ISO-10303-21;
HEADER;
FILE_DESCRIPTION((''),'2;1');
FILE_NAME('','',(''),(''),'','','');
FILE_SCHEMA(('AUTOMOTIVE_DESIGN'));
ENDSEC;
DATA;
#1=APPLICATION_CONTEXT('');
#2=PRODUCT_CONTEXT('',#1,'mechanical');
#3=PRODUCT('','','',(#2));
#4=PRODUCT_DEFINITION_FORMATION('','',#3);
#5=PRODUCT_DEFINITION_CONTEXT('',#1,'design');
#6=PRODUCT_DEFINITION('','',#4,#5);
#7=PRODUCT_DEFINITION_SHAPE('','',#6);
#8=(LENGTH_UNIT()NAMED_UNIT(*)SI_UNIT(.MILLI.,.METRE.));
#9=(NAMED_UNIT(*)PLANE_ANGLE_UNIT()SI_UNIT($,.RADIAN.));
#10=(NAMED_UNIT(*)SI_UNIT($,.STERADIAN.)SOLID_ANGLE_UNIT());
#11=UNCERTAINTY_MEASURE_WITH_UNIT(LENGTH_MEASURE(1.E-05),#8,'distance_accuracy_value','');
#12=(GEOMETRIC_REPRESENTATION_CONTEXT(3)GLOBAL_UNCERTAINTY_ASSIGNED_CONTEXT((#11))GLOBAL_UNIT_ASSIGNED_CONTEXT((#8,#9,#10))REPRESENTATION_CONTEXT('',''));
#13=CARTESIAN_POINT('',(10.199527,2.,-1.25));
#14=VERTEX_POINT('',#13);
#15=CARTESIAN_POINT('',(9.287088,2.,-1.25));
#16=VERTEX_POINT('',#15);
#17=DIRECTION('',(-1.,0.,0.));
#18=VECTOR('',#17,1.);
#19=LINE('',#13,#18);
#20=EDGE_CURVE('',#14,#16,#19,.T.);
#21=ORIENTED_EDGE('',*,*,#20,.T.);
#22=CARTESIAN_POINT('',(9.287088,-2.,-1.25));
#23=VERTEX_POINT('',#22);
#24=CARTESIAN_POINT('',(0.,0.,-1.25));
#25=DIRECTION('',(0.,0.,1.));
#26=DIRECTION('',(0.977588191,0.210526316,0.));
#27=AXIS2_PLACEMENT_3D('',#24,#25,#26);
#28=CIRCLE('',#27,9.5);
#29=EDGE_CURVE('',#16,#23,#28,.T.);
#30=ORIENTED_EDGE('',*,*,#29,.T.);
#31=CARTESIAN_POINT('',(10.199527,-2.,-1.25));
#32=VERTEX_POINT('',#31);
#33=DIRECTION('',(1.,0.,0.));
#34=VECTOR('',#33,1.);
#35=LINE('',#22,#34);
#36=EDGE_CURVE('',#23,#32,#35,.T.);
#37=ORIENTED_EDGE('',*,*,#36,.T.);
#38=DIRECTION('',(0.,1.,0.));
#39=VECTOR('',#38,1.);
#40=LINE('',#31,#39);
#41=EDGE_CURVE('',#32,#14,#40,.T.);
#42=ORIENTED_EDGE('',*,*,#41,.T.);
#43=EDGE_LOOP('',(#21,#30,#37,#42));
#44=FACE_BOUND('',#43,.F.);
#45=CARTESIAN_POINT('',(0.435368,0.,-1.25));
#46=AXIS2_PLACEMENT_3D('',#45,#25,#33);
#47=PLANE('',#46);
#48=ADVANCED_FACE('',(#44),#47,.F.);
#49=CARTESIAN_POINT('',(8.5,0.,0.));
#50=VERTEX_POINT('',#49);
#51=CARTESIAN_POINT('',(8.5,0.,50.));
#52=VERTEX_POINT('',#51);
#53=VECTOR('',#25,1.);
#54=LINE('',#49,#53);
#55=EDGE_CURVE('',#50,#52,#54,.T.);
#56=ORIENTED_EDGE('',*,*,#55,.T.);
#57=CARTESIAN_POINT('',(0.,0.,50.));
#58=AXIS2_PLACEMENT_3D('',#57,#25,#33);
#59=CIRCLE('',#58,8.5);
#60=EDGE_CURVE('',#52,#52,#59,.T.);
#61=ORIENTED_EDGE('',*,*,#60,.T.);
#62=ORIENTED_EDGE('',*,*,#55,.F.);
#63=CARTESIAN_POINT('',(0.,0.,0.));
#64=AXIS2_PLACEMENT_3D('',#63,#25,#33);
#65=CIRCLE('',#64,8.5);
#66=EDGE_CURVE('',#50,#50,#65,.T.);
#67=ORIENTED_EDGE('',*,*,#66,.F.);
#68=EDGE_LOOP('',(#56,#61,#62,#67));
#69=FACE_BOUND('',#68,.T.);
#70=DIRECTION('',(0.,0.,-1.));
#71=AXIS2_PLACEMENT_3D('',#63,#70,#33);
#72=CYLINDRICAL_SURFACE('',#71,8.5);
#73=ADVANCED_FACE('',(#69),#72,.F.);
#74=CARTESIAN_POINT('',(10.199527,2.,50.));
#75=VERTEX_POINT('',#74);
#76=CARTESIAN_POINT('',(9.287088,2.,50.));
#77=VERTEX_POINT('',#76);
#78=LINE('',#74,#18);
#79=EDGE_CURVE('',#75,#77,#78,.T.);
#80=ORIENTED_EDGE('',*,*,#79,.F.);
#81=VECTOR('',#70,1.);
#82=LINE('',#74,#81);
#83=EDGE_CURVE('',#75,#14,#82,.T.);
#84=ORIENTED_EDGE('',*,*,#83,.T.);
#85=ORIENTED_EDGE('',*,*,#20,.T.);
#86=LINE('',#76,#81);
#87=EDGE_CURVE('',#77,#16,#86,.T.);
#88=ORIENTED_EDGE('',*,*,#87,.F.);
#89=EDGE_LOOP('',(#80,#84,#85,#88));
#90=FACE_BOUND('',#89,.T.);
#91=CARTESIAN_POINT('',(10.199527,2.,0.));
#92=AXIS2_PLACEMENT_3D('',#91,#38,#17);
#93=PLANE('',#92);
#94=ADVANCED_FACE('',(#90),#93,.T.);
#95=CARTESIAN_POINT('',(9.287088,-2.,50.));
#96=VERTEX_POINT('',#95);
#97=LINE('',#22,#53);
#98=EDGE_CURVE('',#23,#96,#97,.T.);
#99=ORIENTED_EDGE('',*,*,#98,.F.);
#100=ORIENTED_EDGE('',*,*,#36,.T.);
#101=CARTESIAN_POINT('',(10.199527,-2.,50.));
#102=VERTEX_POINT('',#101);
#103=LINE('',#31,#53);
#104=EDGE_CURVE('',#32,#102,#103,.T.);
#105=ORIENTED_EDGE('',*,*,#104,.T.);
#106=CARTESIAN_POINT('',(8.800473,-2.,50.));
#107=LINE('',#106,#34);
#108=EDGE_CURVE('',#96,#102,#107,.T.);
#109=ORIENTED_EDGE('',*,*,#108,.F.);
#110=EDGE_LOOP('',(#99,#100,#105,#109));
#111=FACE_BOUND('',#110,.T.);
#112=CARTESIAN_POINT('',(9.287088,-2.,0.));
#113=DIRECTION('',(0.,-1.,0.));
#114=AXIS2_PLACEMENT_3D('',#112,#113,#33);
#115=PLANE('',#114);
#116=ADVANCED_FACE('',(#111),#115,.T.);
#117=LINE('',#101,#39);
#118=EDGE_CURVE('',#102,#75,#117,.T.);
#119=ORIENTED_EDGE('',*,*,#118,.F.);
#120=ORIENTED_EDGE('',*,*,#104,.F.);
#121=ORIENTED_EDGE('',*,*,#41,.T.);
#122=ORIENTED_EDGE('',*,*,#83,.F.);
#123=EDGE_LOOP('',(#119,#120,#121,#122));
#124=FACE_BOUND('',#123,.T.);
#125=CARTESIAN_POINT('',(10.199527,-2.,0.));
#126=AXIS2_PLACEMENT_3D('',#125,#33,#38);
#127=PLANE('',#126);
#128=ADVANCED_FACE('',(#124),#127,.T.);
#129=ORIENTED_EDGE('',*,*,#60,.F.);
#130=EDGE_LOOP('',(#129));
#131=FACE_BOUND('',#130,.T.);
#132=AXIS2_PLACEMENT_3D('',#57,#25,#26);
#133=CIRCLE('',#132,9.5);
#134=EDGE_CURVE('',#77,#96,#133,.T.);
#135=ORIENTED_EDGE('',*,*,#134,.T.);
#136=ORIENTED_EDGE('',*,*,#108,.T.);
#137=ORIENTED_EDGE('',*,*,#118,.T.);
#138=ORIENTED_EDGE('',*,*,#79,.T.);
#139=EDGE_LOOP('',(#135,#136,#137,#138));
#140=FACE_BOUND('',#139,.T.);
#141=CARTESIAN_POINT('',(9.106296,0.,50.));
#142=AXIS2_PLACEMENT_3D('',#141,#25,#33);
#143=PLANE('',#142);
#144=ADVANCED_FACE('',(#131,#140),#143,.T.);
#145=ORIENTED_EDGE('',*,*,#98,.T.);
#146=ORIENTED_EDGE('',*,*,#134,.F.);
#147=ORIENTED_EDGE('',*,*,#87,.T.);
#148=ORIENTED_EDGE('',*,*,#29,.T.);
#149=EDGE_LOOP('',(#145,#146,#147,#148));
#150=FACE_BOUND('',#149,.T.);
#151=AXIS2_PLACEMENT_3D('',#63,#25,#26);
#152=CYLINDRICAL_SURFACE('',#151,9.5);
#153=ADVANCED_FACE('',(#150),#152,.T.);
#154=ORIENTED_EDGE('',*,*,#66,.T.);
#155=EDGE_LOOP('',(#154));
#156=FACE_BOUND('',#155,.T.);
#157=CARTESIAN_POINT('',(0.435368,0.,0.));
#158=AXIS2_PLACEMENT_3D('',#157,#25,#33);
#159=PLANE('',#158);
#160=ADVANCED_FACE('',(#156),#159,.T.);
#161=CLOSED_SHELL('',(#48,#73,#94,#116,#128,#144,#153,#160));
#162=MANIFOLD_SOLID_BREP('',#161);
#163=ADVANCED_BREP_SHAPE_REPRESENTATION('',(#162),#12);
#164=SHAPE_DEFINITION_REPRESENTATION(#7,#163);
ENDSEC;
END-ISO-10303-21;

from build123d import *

# Parameters (mm, degrees)
F0_R     = 8.5
F1_DEPTH = 50
F2_DEPTH = 1.25


with BuildPart() as f1:
    # F0 (on Top) → F1 (new body)
    with BuildSketch(Plane.XY):
        with BuildLine():
            ThreePointArc((9.2870878105, -2), (9.4466219941, -1.0056504861), (9.5, 0))
            ThreePointArc((9.5, 0), (9.4466219941, 1.0056504861), (9.2870878105, 2))
            Line((9.2870878105, 2), (8.8004730493, 2))
            Line((8.8004730493, 2), (8.8004730493, -2))
            Line((8.8004730493, -2), (9.2870878105, -2))
        make_face()
        with BuildLine():
            ThreePointArc((9.2870878105, 2), (9.4466219941, 1.0056504861), (9.5, 0))
            ThreePointArc((9.5, 0), (9.4466219941, -1.0056504861), (9.2870878105, -2))
            Line((9.2870878105, -2), (10.1995269507, -2))
            Line((10.1995269507, -2), (10.1995269507, 2))
            Line((10.1995269507, 2), (9.2870878105, 2))
        make_face()
        with BuildLine():
            Line((8.8004730493, 2), (9.2870878105, 2))
            ThreePointArc((9.2870878105, 2), (-9.5, 0), (9.2870878105, -2))
            Line((9.2870878105, -2), (8.8004730493, -2))
            Line((8.8004730493, -2), (8.8004730493, 2))
        make_face()
        Circle(F0_R, mode=Mode.SUBTRACT)
    extrude(amount=F1_DEPTH)

    # F0 (on Top) → F2 (join)
    with BuildSketch(Plane.XY):
        with BuildLine():
            Line((8.8004730493, 2), (9.2870878105, 2))
            ThreePointArc((9.2870878105, 2), (-9.5, 0), (9.2870878105, -2))
            Line((9.2870878105, -2), (8.8004730493, -2))
            Line((8.8004730493, -2), (8.8004730493, 2))
        make_face()
        Circle(F0_R, mode=Mode.SUBTRACT)
        Circle(F0_R)
        with BuildLine():
            ThreePointArc((9.2870878105, 2), (9.4466219941, 1.0056504861), (9.5, 0))
            ThreePointArc((9.5, 0), (9.4466219941, -1.0056504861), (9.2870878105, -2))
            Line((9.2870878105, -2), (10.1995269507, -2))
            Line((10.1995269507, -2), (10.1995269507, 2))
            Line((10.1995269507, 2), (9.2870878105, 2))
        make_face()
        with BuildLine():
            ThreePointArc((9.2870878105, -2), (9.4466219941, -1.0056504861), (9.5, 0))
            ThreePointArc((9.5, 0), (9.4466219941, 1.0056504861), (9.2870878105, 2))
            Line((9.2870878105, 2), (8.8004730493, 2))
            Line((8.8004730493, 2), (8.8004730493, -2))
            Line((8.8004730493, -2), (9.2870878105, -2))
        make_face()
    extrude(amount=-F2_DEPTH)


solid = f1.part
